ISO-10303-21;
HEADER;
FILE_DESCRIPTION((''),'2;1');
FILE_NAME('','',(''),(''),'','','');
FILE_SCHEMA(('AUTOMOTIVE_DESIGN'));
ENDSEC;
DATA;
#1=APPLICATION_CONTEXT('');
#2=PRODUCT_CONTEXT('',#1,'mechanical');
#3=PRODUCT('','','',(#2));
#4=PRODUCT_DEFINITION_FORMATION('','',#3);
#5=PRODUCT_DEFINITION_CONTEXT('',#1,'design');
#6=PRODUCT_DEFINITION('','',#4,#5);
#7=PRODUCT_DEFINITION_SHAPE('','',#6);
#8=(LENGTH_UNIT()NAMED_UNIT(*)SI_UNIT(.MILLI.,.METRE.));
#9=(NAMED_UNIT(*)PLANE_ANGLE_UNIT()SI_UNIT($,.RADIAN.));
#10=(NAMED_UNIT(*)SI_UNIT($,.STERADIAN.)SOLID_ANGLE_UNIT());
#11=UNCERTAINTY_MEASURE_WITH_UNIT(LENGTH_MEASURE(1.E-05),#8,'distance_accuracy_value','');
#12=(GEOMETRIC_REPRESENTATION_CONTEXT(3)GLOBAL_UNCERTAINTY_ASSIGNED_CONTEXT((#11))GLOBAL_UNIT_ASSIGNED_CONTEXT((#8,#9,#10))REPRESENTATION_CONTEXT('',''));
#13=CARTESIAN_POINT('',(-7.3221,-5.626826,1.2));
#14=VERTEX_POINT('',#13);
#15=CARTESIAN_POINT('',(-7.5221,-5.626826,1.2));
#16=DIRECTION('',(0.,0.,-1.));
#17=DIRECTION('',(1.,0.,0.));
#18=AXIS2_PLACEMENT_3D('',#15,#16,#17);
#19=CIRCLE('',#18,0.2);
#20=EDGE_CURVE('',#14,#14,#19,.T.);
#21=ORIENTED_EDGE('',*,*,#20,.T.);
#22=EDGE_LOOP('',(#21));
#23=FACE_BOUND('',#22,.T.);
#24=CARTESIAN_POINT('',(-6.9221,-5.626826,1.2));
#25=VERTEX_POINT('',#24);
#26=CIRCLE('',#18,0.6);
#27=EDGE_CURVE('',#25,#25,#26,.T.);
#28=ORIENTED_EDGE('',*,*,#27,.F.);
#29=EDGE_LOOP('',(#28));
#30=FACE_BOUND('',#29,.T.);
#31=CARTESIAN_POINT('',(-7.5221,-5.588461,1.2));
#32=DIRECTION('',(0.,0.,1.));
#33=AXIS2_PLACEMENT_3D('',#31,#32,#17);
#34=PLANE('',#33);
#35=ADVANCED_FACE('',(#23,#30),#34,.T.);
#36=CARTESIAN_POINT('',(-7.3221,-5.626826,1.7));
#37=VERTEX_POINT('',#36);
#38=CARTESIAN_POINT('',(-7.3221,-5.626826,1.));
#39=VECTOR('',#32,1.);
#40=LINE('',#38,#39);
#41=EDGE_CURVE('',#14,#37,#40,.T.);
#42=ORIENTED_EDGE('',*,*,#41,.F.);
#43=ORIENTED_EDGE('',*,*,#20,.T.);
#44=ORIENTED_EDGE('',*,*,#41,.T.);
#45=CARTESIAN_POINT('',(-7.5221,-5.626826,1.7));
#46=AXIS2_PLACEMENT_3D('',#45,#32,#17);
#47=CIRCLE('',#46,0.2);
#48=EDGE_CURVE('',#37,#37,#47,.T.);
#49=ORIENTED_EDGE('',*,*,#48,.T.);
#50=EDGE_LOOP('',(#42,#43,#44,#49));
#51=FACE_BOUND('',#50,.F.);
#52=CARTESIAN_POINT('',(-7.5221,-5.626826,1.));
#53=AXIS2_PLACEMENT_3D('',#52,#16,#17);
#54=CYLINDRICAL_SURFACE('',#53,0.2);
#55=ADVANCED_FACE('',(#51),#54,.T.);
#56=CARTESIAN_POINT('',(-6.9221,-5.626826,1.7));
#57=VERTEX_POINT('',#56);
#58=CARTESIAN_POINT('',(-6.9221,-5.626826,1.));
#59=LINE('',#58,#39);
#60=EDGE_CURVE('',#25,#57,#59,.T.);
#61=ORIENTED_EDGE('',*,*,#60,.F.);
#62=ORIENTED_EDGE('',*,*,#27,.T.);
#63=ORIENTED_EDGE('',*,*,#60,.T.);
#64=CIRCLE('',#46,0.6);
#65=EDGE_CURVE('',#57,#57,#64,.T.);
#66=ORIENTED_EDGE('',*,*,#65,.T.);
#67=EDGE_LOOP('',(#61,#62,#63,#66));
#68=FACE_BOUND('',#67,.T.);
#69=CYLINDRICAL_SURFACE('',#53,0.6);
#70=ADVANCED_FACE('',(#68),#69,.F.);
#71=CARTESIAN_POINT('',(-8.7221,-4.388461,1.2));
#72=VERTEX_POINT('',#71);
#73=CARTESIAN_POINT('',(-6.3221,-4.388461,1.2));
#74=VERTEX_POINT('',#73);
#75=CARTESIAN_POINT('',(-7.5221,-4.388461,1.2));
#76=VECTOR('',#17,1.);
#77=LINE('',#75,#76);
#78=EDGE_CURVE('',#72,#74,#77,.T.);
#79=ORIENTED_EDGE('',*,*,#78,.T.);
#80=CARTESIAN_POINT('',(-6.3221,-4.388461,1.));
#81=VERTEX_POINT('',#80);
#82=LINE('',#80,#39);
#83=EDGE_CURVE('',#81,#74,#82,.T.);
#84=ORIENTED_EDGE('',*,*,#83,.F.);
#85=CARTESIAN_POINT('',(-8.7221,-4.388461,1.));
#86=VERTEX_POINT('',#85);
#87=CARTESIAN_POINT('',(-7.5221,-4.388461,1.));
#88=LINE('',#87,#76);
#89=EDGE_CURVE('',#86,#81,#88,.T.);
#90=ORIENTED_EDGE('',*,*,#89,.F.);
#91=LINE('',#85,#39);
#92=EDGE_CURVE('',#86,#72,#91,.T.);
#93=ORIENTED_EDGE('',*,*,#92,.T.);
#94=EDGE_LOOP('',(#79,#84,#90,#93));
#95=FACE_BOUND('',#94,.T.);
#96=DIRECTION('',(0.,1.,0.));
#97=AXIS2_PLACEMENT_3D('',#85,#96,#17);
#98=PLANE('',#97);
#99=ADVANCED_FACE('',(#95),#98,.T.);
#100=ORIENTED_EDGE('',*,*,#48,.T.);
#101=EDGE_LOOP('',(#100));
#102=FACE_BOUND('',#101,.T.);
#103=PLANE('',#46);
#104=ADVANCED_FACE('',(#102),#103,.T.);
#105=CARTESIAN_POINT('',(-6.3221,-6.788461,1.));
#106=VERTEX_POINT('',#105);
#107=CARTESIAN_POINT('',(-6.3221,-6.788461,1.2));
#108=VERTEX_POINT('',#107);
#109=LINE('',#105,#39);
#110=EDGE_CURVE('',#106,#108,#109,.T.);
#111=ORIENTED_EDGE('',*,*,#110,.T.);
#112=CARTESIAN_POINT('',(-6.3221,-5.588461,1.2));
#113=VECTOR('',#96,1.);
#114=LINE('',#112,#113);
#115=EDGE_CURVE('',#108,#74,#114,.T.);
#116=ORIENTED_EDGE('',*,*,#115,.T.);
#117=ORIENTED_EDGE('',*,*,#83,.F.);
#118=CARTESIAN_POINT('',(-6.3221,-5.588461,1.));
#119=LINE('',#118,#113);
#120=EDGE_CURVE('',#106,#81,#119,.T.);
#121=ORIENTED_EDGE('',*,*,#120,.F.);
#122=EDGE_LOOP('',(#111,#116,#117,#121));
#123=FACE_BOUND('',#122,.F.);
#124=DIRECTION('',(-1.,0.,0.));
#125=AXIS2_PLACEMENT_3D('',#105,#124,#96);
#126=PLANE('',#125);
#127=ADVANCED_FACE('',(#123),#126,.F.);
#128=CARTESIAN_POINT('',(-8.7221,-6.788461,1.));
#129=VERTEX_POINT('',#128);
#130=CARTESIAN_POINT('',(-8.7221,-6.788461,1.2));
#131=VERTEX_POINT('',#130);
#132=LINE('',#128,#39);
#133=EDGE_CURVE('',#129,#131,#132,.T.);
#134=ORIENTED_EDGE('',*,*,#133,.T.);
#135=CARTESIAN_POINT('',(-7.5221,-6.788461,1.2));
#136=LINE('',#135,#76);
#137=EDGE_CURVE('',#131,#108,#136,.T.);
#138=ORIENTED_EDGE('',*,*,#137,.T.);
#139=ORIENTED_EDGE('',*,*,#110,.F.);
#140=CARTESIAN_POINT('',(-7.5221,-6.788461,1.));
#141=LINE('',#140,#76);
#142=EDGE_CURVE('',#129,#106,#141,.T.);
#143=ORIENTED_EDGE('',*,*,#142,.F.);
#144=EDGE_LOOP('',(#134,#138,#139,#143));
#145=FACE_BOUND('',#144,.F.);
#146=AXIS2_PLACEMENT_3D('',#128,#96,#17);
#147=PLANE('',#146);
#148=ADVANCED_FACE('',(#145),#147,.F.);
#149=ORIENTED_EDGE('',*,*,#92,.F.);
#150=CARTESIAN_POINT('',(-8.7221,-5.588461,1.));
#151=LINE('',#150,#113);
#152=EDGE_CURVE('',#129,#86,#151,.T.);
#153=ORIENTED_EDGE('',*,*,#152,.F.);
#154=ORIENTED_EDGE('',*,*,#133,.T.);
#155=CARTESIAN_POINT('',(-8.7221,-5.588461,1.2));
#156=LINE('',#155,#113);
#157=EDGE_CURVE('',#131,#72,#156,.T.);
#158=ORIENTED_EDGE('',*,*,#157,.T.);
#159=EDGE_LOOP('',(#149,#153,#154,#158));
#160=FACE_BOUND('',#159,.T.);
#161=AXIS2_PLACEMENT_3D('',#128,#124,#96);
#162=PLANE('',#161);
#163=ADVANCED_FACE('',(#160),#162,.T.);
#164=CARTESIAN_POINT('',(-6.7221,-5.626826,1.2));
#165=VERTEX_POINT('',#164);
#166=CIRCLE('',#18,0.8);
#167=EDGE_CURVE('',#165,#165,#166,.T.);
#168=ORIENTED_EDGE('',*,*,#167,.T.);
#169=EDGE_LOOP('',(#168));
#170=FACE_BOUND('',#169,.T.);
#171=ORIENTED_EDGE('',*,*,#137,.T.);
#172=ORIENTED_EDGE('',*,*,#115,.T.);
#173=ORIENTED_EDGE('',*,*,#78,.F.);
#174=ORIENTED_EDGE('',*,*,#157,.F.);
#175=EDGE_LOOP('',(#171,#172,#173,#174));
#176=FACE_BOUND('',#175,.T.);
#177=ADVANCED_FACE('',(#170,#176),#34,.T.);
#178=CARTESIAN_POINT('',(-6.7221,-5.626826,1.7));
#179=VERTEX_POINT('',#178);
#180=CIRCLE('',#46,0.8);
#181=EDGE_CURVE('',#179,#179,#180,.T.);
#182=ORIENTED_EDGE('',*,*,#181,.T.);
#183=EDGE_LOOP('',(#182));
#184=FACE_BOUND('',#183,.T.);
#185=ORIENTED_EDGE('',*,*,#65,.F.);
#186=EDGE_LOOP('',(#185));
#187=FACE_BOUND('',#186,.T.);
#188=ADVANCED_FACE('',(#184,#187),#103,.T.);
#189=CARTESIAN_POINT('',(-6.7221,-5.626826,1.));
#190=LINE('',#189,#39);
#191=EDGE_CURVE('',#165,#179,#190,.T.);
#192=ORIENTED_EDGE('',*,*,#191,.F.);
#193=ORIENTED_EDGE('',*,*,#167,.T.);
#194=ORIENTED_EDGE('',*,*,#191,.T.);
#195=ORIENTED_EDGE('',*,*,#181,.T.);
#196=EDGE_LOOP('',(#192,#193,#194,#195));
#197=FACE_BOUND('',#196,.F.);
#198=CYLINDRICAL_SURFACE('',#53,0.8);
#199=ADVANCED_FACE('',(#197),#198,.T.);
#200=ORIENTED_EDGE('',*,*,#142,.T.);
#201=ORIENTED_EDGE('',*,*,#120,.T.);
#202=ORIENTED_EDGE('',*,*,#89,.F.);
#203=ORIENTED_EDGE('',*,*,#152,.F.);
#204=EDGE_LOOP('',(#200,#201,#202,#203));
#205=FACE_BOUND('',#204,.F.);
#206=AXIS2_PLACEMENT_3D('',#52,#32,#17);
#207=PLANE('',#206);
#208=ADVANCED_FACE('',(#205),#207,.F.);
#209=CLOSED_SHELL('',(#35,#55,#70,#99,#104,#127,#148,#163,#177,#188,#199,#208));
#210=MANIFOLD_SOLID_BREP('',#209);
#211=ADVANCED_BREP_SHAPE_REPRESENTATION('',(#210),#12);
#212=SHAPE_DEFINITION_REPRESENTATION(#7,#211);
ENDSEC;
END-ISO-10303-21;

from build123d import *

# Parameters (mm, degrees)
SKETCH007_R   = 0.8
SKETCH007_R_2 = 0.6
PAD005_DEPTH  = 0.7
SKETCH008_R   = 0.2
PAD006_DEPTH  = 0.7
SKETCH009_W   = 2.4
SKETCH009_H   = 2.4
PAD007_DEPTH  = 0.2


with BuildPart() as pad005:
    # Sketch007 → Pad005 (new body)
    with BuildSketch(Plane.XY):
        with Locations((-19.6, -6.4)):
            Circle(SKETCH007_R)
        with Locations((-19.6, -6.4)):
            Circle(SKETCH007_R_2, mode=Mode.SUBTRACT)
    extrude(amount=PAD005_DEPTH)


with BuildPart() as pad006:
    # Sketch008 → Pad006 (new body)
    with BuildSketch(Plane.XY):
        with Locations((-19.6, -6.4)):
            Circle(SKETCH008_R)
    extrude(amount=PAD006_DEPTH)


with BuildPart() as fusion003:
    # Sketch009 → Pad007 (new body)
    with BuildSketch(Plane.XY):
        with Locations((-19.6, -6.361635)):
            Rectangle(SKETCH009_W, SKETCH009_H)
    extrude(amount=PAD007_DEPTH)

    # Fusion003: union Pad005, Pad006
    add(pad005.part)
    add(pad006.part)


with BuildPart() as fusion003_1:
    # Fusion003 placement: moved
    add(fusion003.part.moved(Location((12.0779, 0.773174, 1))))


solid = fusion003_1.part
